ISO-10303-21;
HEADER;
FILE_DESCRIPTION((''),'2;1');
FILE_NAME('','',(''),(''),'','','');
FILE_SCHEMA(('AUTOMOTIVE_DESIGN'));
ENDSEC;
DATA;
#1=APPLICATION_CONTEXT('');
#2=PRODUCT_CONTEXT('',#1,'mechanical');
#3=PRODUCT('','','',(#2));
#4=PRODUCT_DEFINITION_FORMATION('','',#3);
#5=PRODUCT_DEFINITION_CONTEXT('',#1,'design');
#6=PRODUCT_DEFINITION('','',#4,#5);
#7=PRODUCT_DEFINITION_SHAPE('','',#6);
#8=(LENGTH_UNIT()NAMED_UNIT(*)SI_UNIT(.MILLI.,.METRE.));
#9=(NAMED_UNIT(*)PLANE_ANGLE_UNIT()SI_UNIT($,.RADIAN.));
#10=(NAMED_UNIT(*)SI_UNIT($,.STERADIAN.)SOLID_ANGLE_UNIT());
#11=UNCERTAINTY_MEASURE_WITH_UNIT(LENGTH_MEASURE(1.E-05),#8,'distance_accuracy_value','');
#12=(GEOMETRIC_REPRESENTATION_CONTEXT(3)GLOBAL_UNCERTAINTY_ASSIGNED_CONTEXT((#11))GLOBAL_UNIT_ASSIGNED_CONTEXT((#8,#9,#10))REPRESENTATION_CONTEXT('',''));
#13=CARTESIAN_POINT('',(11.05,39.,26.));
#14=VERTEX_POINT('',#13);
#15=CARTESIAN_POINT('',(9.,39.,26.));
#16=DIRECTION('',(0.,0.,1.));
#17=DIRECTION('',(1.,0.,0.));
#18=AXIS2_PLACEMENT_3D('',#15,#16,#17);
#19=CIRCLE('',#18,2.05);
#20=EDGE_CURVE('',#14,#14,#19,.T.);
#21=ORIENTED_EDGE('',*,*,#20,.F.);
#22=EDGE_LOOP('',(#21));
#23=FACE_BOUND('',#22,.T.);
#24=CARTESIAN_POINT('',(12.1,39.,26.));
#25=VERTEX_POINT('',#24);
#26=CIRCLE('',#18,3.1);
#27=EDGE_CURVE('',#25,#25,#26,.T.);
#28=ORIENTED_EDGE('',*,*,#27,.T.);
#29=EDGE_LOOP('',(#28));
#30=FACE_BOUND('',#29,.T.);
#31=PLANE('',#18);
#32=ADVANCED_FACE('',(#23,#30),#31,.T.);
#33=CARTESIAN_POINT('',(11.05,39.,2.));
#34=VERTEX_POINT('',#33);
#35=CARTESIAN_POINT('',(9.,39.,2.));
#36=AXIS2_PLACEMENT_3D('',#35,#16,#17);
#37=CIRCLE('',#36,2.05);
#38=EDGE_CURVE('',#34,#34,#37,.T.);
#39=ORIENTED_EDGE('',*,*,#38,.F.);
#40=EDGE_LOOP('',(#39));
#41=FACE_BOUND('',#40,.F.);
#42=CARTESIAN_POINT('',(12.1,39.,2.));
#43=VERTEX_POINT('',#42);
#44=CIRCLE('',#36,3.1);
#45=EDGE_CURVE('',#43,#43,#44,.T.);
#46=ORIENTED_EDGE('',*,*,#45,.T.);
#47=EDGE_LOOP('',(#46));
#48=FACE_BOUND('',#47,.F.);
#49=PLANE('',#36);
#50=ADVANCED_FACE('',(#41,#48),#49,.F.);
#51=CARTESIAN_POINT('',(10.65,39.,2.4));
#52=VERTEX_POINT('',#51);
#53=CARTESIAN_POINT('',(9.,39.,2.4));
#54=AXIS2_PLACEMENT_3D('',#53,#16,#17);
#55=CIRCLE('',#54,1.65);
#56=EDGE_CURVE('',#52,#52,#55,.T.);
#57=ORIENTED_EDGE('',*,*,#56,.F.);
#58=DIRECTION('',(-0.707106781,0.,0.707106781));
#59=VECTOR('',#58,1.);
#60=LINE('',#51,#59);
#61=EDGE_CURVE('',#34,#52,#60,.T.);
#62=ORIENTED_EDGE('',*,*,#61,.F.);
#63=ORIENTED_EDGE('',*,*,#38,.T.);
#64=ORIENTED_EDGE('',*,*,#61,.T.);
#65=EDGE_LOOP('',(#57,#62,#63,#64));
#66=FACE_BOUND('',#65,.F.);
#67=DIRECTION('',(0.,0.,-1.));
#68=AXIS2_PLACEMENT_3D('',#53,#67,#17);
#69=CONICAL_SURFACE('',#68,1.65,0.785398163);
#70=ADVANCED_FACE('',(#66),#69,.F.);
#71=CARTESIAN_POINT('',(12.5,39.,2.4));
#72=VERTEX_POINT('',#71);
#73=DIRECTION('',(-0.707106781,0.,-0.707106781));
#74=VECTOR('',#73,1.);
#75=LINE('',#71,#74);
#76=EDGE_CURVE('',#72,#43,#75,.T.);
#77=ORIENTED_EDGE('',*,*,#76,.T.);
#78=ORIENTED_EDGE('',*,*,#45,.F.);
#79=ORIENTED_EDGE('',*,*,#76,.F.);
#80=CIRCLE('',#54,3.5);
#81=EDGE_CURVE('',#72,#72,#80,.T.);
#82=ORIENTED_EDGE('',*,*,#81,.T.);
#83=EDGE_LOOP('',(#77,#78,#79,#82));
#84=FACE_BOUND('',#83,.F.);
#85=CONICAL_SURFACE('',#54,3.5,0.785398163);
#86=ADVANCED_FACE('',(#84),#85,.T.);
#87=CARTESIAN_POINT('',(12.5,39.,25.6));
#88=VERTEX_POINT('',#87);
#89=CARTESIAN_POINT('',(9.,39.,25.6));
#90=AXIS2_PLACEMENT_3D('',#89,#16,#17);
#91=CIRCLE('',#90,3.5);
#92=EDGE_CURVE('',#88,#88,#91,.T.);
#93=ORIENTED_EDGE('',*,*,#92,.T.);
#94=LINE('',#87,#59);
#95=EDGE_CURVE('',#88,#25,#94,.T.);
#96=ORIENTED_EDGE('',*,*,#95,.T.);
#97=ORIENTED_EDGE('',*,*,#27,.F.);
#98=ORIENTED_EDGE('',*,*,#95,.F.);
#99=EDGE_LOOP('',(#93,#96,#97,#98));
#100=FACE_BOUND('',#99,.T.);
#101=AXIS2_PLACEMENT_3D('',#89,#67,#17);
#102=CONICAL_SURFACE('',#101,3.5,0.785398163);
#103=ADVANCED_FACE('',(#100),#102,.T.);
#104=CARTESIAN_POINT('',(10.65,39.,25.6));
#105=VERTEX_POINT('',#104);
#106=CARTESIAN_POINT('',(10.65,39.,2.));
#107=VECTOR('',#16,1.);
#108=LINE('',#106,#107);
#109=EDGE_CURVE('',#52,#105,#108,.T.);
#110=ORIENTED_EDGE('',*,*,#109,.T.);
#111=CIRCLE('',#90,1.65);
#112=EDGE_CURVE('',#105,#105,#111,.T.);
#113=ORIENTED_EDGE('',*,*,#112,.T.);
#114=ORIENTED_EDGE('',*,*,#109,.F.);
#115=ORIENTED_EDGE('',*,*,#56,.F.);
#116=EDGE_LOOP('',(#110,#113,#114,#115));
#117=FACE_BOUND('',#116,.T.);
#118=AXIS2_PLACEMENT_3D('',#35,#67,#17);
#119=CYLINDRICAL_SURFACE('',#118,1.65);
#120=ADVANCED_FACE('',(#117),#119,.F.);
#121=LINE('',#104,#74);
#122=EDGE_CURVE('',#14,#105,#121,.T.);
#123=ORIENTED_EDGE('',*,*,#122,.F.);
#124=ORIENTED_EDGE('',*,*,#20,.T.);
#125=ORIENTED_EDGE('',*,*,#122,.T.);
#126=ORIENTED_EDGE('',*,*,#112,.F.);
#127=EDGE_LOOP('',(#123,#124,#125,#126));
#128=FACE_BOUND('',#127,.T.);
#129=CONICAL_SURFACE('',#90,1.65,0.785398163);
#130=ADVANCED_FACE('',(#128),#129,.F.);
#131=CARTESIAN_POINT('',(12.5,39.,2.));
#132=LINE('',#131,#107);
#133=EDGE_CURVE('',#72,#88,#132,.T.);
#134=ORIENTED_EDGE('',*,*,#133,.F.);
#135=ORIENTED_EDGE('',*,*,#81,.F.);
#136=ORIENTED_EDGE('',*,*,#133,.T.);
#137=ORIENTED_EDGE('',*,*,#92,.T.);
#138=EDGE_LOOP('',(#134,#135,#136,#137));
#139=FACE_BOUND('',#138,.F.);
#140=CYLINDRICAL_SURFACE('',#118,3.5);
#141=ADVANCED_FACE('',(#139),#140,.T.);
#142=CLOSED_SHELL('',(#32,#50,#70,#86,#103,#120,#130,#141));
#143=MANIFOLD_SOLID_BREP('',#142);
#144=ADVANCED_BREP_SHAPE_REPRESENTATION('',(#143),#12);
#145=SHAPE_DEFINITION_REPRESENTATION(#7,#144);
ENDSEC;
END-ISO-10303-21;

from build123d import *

# Parameters (mm, degrees)
CYLINDER009_R         = 1.65
CYLINDER009_DEPTH     = 24
CYLINDER008_R         = 3.5
CYLINDER008_DEPTH     = 24
CHAMFER020026006_SIZE = 0.4


with BuildPart() as cylinder009:
    # Cylinder009 → Cylinder009 (new body)
    with BuildSketch(Plane(origin=(9, 39, 2), x_dir=(1, 0, 0), z_dir=(0, 0, 1))):
        Circle(CYLINDER009_R)
    extrude(amount=CYLINDER009_DEPTH)


with BuildPart() as chamfer020026006:
    # Cylinder008 → Cylinder008 (new body)
    with BuildSketch(Plane(origin=(9, 39, 2), x_dir=(1, 0, 0), z_dir=(0, 0, 1))):
        Circle(CYLINDER008_R)
    extrude(amount=CYLINDER008_DEPTH)

    # Cut002002002007004004001006014: cut Cylinder009
    add(cylinder009.part, mode=Mode.SUBTRACT)

    # Chamfer020026006
    chamfer020026006_edges = [chamfer020026006.edges().sort_by_distance(p)[0] for p in [
        (5.5, 39, 26),
        (5.5, 39, 2),
        (7.35, 39, 26),
        (7.35, 39, 2),
    ]]
    chamfer(chamfer020026006_edges, length=CHAMFER020026006_SIZE)


solid = chamfer020026006.part
